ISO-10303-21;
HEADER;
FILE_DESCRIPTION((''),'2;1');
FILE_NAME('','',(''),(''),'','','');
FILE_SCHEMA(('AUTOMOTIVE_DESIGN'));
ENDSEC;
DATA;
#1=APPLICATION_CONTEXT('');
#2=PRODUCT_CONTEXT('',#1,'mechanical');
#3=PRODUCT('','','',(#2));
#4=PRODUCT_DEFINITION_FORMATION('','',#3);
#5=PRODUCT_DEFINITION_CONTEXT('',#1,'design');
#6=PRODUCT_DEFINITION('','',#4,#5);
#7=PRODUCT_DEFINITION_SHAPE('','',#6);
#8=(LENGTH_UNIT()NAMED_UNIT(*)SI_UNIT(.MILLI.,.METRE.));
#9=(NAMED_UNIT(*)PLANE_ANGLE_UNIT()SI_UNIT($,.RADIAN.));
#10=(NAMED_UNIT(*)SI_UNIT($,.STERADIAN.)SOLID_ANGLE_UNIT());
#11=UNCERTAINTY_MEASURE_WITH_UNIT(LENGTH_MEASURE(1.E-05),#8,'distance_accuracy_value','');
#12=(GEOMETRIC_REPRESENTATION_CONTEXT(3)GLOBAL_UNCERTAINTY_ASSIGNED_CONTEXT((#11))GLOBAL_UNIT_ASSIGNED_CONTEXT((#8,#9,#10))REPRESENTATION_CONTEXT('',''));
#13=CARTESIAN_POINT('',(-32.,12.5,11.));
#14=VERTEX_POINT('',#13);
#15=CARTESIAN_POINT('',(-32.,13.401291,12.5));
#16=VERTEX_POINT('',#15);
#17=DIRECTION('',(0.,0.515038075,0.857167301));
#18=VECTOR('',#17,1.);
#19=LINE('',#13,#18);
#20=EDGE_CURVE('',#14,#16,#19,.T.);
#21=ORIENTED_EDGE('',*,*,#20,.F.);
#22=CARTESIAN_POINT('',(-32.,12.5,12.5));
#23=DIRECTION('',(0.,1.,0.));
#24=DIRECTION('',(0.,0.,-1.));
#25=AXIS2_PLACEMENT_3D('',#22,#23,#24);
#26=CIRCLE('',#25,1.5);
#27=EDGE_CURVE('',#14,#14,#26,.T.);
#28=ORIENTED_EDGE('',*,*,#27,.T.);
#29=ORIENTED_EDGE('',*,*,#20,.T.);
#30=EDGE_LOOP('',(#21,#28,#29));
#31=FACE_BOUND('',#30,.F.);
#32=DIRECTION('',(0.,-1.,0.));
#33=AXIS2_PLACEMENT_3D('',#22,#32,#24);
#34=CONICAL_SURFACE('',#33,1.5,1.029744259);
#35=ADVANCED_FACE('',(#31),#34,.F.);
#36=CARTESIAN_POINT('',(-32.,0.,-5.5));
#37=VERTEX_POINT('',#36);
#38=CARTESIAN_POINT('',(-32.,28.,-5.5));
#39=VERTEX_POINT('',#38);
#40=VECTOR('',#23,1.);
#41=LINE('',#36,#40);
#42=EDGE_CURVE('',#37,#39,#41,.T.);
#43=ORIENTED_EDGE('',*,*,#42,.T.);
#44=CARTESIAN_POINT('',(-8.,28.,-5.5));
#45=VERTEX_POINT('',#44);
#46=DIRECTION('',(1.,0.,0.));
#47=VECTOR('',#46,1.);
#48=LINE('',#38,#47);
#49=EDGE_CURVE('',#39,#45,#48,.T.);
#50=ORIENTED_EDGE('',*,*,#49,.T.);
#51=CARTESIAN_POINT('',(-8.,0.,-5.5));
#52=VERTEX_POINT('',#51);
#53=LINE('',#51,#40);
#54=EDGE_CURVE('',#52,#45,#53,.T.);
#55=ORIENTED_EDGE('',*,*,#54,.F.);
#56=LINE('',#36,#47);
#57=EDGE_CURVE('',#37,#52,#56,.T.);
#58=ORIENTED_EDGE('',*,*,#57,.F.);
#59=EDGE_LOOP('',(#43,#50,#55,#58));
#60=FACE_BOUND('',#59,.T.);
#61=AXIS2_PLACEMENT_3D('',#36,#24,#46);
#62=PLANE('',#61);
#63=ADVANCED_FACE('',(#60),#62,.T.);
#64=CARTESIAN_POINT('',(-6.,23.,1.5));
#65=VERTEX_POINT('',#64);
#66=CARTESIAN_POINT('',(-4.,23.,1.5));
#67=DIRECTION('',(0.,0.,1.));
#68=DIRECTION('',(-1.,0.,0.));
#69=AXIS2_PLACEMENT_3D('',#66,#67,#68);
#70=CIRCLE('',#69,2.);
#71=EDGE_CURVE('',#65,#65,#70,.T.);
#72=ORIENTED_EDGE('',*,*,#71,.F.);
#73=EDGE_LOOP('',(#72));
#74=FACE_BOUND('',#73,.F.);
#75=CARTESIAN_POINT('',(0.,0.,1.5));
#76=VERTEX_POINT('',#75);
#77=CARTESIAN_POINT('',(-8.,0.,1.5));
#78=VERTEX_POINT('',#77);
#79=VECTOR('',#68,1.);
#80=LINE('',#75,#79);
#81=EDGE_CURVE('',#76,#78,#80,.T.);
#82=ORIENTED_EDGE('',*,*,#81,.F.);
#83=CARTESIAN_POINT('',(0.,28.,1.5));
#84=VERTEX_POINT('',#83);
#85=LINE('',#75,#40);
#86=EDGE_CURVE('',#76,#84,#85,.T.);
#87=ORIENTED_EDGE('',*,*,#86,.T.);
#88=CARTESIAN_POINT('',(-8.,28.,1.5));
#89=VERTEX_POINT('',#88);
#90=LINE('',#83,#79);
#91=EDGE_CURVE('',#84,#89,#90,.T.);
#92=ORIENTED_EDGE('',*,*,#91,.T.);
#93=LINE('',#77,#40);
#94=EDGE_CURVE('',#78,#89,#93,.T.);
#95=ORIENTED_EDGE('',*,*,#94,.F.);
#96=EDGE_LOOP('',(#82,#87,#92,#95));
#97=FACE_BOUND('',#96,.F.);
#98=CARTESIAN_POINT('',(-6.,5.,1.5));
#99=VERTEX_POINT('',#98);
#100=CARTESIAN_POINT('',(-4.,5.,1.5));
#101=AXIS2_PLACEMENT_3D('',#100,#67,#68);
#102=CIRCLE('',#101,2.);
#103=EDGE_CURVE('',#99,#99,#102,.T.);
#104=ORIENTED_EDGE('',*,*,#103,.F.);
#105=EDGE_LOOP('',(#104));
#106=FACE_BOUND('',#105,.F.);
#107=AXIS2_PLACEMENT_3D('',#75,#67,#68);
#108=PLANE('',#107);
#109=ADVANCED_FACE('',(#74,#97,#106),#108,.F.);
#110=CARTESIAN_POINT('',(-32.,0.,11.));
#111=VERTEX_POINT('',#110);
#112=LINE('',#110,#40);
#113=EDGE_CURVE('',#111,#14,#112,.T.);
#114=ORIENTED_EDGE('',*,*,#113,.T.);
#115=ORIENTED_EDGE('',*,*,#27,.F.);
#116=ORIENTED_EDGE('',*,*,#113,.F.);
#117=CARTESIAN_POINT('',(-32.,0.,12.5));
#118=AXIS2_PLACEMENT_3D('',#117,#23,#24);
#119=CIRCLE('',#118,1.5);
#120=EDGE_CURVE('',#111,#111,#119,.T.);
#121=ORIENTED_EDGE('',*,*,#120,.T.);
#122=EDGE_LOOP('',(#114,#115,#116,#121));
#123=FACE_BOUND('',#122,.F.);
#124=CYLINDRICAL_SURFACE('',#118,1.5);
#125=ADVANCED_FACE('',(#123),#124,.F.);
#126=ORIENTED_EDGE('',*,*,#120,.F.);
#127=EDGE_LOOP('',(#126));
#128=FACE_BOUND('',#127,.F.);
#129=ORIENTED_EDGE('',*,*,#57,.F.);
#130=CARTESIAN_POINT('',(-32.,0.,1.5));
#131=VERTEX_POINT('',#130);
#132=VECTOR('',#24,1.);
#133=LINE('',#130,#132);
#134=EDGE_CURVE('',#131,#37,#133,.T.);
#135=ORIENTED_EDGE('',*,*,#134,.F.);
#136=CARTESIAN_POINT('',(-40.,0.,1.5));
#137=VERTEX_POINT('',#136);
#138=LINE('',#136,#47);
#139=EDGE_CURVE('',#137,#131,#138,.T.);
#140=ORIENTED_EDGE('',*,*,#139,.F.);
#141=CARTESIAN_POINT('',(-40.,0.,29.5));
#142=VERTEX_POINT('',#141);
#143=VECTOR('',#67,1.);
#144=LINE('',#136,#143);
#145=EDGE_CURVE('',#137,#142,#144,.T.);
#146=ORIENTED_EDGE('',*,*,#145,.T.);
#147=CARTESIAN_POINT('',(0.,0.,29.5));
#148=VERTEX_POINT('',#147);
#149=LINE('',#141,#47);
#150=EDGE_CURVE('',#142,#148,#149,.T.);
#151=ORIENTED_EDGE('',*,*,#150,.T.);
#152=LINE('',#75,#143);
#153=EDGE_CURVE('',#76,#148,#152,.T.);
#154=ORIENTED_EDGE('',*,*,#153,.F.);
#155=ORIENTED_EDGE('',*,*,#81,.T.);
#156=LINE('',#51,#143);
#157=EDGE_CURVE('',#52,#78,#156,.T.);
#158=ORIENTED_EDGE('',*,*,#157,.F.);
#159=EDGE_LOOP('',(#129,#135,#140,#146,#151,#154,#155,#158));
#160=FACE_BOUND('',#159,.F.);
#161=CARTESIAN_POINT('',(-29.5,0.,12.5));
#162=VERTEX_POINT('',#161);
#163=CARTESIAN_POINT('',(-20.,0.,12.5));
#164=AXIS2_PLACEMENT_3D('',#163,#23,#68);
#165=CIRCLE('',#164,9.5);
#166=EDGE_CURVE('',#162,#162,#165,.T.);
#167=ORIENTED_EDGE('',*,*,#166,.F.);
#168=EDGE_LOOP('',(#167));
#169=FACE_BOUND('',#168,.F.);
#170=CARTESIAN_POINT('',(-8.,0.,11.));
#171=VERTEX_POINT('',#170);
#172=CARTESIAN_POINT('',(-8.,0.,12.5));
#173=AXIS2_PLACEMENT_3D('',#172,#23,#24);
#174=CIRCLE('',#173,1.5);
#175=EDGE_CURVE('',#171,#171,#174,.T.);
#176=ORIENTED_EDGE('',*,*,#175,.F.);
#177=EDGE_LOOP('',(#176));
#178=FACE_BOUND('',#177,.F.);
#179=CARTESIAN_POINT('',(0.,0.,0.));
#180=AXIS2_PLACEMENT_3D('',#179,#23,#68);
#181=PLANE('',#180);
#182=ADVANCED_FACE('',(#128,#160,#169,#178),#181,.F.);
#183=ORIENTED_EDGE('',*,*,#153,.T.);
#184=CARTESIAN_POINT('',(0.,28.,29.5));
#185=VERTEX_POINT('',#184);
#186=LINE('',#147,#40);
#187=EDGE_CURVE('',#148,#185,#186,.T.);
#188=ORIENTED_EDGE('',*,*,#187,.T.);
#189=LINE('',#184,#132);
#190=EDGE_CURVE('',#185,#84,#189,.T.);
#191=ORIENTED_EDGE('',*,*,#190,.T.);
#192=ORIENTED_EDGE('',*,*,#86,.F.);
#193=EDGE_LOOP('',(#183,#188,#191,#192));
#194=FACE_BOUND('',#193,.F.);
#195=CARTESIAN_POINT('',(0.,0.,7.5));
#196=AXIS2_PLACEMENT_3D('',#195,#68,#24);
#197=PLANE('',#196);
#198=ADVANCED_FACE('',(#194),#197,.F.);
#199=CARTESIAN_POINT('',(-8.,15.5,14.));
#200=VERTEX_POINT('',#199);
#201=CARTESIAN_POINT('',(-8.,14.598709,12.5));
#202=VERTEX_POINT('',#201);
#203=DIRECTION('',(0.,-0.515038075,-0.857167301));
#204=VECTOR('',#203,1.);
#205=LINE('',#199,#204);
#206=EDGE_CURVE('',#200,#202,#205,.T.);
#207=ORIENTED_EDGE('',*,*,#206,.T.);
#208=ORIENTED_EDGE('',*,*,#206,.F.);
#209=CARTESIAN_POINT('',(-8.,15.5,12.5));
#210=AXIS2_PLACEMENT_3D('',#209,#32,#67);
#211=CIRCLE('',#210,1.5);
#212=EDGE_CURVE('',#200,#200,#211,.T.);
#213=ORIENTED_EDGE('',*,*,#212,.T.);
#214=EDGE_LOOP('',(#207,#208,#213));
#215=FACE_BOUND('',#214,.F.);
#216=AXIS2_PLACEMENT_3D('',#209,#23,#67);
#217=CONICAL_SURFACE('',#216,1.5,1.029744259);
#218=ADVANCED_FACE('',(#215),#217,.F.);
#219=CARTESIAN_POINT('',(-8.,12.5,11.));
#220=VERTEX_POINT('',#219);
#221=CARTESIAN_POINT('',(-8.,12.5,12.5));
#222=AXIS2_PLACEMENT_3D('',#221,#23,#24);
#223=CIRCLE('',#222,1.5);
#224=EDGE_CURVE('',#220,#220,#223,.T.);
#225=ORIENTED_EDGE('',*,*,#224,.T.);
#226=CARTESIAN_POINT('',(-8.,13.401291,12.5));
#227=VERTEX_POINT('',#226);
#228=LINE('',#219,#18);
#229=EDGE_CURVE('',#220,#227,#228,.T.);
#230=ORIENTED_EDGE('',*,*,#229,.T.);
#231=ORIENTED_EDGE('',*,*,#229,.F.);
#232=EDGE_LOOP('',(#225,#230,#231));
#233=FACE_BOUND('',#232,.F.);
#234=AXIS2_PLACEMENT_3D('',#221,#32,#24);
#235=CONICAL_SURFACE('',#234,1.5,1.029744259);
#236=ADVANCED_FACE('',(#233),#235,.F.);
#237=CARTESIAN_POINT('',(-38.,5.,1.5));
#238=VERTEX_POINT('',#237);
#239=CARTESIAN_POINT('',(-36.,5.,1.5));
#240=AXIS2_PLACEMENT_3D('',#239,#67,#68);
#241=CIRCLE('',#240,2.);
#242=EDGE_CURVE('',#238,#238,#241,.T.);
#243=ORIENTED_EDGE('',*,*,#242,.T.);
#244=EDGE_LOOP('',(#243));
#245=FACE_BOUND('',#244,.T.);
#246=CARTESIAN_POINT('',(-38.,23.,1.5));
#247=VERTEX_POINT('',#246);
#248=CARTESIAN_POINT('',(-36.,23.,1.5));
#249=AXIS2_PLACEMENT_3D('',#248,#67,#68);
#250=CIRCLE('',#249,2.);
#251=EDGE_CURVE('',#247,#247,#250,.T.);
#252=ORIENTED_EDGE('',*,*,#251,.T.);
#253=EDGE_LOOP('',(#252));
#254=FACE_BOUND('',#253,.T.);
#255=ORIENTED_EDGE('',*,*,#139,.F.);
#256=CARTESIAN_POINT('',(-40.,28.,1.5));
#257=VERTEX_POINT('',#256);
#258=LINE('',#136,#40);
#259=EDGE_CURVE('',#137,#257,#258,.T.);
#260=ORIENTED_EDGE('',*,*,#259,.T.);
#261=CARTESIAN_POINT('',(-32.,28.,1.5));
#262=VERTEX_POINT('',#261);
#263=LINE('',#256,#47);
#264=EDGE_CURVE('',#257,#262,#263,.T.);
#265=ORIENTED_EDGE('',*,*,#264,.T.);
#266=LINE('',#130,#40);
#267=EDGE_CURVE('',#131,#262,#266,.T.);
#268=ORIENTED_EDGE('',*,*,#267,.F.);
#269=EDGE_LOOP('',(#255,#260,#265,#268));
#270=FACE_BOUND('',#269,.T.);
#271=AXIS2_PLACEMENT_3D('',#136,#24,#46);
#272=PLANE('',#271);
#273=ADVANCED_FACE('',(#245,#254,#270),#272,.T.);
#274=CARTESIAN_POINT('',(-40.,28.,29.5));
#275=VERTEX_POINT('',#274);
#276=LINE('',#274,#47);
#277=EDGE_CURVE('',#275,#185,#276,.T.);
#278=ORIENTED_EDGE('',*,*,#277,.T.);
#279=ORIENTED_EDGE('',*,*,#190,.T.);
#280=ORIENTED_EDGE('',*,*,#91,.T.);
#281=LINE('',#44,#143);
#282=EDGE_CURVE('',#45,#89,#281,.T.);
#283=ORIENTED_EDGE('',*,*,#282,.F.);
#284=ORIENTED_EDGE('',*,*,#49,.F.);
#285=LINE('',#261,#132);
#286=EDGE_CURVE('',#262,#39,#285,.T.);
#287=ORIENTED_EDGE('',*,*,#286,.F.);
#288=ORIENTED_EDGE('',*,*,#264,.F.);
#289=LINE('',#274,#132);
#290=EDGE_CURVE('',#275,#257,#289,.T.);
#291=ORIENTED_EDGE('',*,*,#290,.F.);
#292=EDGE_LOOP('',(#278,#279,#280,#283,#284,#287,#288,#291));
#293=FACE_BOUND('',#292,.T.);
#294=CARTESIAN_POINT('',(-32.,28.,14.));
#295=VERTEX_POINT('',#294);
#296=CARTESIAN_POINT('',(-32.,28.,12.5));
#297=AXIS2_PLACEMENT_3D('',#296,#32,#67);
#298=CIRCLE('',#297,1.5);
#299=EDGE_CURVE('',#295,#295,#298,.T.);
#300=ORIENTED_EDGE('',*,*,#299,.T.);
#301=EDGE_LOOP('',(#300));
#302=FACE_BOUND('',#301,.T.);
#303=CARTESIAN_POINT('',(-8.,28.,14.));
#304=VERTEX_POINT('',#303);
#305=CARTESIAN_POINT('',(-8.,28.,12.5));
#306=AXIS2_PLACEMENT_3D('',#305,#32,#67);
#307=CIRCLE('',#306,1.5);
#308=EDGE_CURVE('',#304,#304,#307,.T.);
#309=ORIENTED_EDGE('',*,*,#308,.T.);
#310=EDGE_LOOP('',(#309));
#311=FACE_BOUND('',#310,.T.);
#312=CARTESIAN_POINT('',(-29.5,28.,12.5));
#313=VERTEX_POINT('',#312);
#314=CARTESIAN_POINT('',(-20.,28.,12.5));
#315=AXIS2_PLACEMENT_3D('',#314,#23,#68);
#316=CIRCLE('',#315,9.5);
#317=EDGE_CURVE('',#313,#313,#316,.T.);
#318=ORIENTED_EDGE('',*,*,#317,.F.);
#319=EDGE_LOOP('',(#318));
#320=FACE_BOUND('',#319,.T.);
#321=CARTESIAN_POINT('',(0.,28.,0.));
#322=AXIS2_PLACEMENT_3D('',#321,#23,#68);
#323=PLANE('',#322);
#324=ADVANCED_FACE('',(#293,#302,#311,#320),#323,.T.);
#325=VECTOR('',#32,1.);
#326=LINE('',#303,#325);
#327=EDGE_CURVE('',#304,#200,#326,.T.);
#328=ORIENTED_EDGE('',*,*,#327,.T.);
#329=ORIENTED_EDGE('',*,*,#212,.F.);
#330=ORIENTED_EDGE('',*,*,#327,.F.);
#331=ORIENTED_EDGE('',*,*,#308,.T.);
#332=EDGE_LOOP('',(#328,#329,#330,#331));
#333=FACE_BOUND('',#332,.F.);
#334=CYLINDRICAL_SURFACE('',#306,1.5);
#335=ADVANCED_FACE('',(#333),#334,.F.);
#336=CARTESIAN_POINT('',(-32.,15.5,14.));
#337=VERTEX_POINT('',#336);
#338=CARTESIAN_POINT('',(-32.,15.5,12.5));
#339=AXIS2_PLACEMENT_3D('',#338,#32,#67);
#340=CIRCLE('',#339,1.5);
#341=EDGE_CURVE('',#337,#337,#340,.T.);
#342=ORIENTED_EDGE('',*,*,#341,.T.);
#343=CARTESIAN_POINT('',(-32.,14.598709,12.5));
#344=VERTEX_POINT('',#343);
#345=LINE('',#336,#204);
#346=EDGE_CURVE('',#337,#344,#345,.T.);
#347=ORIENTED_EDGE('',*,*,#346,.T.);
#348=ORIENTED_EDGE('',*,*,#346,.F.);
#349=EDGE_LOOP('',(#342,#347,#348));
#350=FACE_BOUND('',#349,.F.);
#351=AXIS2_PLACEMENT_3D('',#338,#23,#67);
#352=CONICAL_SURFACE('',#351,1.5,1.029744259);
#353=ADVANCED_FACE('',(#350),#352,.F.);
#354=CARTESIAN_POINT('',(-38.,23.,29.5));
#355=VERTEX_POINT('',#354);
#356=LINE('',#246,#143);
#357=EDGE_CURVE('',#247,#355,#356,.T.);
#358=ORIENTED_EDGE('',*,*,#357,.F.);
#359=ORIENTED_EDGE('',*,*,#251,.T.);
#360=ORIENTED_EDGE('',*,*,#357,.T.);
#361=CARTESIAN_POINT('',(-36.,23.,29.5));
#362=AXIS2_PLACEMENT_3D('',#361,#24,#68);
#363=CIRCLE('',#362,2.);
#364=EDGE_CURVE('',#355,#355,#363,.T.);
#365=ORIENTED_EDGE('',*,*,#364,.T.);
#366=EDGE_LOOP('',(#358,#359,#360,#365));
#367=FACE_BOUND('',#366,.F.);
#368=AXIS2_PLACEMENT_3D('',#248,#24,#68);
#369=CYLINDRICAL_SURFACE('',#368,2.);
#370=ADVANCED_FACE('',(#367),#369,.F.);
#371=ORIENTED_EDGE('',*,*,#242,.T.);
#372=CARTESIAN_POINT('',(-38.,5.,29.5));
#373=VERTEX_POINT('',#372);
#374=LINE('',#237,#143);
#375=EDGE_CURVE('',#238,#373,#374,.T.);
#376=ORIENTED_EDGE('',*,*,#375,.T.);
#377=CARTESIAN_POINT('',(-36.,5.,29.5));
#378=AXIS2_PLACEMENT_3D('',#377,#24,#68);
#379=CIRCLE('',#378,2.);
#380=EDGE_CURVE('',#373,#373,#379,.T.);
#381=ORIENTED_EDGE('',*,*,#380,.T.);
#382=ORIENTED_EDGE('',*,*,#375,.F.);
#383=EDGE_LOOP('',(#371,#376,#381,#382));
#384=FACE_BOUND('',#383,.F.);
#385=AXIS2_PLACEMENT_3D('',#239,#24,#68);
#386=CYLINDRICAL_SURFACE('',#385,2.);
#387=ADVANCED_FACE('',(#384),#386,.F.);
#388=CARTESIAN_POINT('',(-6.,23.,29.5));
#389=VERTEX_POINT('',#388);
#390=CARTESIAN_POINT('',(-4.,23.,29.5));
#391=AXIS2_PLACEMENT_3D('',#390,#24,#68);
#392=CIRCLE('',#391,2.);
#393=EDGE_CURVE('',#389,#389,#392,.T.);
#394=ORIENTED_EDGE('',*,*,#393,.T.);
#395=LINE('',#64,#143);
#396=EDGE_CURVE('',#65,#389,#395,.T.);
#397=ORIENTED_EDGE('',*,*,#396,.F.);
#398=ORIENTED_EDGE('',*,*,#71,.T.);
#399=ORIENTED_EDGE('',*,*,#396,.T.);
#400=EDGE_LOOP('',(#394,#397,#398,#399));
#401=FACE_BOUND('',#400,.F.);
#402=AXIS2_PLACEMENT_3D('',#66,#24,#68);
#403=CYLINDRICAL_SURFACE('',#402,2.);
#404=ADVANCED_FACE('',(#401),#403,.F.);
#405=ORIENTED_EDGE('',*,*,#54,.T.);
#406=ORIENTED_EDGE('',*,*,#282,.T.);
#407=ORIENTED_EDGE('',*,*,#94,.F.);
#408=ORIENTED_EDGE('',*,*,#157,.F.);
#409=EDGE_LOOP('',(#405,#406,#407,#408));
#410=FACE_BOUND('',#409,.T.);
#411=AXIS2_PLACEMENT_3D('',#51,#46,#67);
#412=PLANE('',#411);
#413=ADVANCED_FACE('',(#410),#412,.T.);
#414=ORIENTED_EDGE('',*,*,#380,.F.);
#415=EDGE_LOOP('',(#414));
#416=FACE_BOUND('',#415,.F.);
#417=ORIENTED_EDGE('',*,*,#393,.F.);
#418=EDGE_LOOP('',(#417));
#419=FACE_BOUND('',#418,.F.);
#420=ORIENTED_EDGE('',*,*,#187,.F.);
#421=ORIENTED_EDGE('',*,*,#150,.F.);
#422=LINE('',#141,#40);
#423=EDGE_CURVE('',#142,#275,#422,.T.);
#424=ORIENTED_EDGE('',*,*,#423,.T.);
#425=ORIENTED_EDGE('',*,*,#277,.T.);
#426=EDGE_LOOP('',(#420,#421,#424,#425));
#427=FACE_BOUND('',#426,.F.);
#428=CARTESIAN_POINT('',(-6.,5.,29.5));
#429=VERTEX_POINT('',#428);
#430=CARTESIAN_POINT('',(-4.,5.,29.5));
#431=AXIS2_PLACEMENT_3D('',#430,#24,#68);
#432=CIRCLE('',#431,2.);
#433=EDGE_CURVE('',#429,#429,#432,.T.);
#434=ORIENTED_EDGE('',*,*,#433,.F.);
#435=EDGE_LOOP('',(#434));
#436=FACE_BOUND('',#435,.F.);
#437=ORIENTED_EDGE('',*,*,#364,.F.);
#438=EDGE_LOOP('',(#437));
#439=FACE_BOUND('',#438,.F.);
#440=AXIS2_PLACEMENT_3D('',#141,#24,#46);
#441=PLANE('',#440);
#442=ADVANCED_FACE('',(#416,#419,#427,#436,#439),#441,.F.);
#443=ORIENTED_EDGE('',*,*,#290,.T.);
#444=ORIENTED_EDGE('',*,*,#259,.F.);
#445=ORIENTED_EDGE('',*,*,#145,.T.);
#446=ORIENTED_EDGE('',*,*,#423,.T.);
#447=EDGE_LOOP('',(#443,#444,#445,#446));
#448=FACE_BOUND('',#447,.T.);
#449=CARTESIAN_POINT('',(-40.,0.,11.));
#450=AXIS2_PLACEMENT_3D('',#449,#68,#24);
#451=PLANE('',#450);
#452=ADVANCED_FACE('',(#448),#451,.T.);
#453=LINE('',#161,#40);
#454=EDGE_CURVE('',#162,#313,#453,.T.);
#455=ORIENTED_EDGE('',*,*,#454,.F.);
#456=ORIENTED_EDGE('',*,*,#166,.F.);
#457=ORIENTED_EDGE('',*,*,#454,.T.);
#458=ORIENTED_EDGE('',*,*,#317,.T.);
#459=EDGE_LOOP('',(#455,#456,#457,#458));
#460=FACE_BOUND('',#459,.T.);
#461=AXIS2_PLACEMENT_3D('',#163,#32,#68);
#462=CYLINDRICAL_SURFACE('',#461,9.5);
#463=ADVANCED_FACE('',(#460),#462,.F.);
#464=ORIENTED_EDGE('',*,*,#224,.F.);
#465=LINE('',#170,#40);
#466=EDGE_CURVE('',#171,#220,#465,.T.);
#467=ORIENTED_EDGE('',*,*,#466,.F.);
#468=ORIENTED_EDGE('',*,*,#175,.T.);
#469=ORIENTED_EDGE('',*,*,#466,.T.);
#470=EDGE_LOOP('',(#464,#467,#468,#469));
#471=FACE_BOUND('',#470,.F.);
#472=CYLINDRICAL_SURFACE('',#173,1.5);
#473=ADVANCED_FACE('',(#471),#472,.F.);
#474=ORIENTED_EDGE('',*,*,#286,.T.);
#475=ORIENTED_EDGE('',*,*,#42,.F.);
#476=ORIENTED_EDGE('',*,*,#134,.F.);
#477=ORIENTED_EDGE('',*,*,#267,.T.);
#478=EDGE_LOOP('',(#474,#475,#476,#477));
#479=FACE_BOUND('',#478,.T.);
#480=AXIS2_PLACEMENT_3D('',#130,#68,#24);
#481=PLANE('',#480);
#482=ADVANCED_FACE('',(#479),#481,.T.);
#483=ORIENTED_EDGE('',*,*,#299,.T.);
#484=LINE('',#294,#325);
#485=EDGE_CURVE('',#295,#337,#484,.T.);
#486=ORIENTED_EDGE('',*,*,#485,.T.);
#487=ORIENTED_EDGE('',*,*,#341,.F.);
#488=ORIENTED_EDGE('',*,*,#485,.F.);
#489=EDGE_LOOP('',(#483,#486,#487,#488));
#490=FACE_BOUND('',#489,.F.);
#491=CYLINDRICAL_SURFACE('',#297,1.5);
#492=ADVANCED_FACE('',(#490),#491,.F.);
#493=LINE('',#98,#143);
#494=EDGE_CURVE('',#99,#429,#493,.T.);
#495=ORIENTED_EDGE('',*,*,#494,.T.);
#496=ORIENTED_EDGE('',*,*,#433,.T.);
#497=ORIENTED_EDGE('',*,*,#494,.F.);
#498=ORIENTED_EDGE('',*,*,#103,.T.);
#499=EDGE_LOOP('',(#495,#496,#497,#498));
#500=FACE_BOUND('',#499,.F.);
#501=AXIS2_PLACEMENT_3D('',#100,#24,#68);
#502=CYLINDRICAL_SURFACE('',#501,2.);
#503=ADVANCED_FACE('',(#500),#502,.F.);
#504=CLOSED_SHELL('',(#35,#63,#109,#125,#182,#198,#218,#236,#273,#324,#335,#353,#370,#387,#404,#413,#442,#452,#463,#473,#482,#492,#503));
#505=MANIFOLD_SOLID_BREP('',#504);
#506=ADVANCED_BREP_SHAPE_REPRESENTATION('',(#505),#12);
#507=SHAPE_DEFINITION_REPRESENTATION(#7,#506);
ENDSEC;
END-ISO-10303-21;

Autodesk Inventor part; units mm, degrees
ref_plane "YZ Plane" through (0, 0, 0) normal (1, 0, 0) x (0, 1, 0)
ref_plane "XZ Plane" through (0, 0, 0) normal (0, 1, 0) x (-1, 0, 0)
ref_plane "XY Plane" through (0, 0, 0) normal (0, 0, 1) x (1, 0, 0)
sketch "Boceto1" plane through (0, 0, 0) normal (0, 1, 0) x (-1, 0, 0)
  line L0 (40, 11) -> (40, 29.5)
  line L1 (40, 29.5) -> (0, 29.5)
  line L2 (0, 29.5) -> (0, 7.5)
  circle A0 centre (20, 12.5) radius 9.5
  line L3 (40, 11) -> (40, 1.5)
  line L4 (40, 1.5) -> (32, 1.5)
  line L5 (0, 7.5) -> (0, 1.5)
  line L6 (0, 1.5) -> (8, 1.5)
  line L7 (32, 1.5) -> (32, -5.5)
  line L8 (32, -5.5) -> (8, -5.5)
  line L9 (8, -5.5) -> (8, 1.5)
  point P0 (0, 0)
  point P1 (0, 0)
  dimension "d1" = 19
  dimension "d14" = 40
  dimension "d18" = 8
  dimension "d19" = 8
  dimension "d20" = 28
  dimension "d21" = 35
  dimension "d35" = 17
  dimension "d68" = 28
extrude "Extrusión1" add sketch "Boceto1" along normal blind 28
sketch "Boceto7" plane through (0, 0, 1.5) normal (0, 0, -1) x (-1, 0, 0)
  line L0 (0, 0) -> (0, 28) projected
  line L1 (0, 0) -> (4, 0)
  line L2 (40, 0) -> (0, 0) projected
  line L3 (4, 0) -> (4, 28)
  line L4 (40, 28) -> (0, 28) projected
  line L5 (4, 14) -> (4, 5)
  circle A0 centre (4, 5) radius 2
  circle A1 centre (4, 23) radius 2
  line L6 (40, 0) -> (40, 28) projected
  line L7 (40, 0) -> (36, 0)
  line L8 (36, 0) -> (36, 28)
  circle A2 centre (36, 5) radius 2
  circle A3 centre (36, 23) radius 2
  dimension "d24" = 4
  dimension "d25" = 4
  dimension "d26" = 5
  dimension "d27" = 5
  dimension "d28" = 4
  dimension "d29" = 4
  dimension "d30" = 4
  dimension "d31" = 5
  dimension "d32" = 5
  dimension "d60" = 4
extrude "Extrusión4" cut sketch "Boceto7" against normal blind 28 contours A0 L3 | L3 A0 | A1 L3 | L3 A1 | A2 L8 | L8 A2 | A3 L8 | L8 A3
sketch "Boceto9" plane through (0, 28, 0) normal (0, 1, 0) x (1, 0, 0)
  circle A0 centre (-20, -12.5) radius 9.5 projected
  circle A1 centre (-8, -12.5) radius 1.5
  circle A2 centre (-32, -12.5) radius 1.5
  point P0 (0, 0)
  dimension "d36" = 12
  dimension "d38" = 3
  dimension "d39" = 3
  dimension "d61" = 12
sketch "Boceto10" plane through (0, 0, 0) normal (0, -1, 0) x (1, 0, 0)
  circle A0 centre (-20, 12.5) radius 9.5 projected
  line L0 (-20, 12.5) -> (-8, 12.5)
  line L1 (-8, 12.5) -> (-32, 12.5)
  circle A1 centre (-32, 12.5) radius 1.5
  circle A2 centre (-8, 12.5) radius 1.5
  point P0 (0, 0)
  dimension "d40" = 12
  dimension "d41" = 24
  dimension "d42" = 3
  dimension "d43" = 3
hole "Agujero1" at (-32, 0, 12.5) at (-8, 0, 12.5) direction (0, 1, 0) diameter 3 depth 12.5 tip angle 118
hole "Agujero2" at (-8, 28, 12.5) at (-32, 28, 12.5) direction (0, -1, 0) diameter 3 depth 12.5 tip angle 118
thread "Rosca1" size "M3x0.5" class "6H" standard "ISO Metric profile" length 10
thread "Rosca2" size "M3x0.5" class "6H" standard "ISO Metric profile" length 10
thread "Rosca3" size "M3x0.5" class "6H" standard "ISO Metric profile" length 10
thread "Rosca4" size "M3x0.5" class "6H" standard "ISO Metric profile" length 10
equation "\"d68\" = d20"
properties part number "Soporte de Buje" material "Aluminum 6061"
